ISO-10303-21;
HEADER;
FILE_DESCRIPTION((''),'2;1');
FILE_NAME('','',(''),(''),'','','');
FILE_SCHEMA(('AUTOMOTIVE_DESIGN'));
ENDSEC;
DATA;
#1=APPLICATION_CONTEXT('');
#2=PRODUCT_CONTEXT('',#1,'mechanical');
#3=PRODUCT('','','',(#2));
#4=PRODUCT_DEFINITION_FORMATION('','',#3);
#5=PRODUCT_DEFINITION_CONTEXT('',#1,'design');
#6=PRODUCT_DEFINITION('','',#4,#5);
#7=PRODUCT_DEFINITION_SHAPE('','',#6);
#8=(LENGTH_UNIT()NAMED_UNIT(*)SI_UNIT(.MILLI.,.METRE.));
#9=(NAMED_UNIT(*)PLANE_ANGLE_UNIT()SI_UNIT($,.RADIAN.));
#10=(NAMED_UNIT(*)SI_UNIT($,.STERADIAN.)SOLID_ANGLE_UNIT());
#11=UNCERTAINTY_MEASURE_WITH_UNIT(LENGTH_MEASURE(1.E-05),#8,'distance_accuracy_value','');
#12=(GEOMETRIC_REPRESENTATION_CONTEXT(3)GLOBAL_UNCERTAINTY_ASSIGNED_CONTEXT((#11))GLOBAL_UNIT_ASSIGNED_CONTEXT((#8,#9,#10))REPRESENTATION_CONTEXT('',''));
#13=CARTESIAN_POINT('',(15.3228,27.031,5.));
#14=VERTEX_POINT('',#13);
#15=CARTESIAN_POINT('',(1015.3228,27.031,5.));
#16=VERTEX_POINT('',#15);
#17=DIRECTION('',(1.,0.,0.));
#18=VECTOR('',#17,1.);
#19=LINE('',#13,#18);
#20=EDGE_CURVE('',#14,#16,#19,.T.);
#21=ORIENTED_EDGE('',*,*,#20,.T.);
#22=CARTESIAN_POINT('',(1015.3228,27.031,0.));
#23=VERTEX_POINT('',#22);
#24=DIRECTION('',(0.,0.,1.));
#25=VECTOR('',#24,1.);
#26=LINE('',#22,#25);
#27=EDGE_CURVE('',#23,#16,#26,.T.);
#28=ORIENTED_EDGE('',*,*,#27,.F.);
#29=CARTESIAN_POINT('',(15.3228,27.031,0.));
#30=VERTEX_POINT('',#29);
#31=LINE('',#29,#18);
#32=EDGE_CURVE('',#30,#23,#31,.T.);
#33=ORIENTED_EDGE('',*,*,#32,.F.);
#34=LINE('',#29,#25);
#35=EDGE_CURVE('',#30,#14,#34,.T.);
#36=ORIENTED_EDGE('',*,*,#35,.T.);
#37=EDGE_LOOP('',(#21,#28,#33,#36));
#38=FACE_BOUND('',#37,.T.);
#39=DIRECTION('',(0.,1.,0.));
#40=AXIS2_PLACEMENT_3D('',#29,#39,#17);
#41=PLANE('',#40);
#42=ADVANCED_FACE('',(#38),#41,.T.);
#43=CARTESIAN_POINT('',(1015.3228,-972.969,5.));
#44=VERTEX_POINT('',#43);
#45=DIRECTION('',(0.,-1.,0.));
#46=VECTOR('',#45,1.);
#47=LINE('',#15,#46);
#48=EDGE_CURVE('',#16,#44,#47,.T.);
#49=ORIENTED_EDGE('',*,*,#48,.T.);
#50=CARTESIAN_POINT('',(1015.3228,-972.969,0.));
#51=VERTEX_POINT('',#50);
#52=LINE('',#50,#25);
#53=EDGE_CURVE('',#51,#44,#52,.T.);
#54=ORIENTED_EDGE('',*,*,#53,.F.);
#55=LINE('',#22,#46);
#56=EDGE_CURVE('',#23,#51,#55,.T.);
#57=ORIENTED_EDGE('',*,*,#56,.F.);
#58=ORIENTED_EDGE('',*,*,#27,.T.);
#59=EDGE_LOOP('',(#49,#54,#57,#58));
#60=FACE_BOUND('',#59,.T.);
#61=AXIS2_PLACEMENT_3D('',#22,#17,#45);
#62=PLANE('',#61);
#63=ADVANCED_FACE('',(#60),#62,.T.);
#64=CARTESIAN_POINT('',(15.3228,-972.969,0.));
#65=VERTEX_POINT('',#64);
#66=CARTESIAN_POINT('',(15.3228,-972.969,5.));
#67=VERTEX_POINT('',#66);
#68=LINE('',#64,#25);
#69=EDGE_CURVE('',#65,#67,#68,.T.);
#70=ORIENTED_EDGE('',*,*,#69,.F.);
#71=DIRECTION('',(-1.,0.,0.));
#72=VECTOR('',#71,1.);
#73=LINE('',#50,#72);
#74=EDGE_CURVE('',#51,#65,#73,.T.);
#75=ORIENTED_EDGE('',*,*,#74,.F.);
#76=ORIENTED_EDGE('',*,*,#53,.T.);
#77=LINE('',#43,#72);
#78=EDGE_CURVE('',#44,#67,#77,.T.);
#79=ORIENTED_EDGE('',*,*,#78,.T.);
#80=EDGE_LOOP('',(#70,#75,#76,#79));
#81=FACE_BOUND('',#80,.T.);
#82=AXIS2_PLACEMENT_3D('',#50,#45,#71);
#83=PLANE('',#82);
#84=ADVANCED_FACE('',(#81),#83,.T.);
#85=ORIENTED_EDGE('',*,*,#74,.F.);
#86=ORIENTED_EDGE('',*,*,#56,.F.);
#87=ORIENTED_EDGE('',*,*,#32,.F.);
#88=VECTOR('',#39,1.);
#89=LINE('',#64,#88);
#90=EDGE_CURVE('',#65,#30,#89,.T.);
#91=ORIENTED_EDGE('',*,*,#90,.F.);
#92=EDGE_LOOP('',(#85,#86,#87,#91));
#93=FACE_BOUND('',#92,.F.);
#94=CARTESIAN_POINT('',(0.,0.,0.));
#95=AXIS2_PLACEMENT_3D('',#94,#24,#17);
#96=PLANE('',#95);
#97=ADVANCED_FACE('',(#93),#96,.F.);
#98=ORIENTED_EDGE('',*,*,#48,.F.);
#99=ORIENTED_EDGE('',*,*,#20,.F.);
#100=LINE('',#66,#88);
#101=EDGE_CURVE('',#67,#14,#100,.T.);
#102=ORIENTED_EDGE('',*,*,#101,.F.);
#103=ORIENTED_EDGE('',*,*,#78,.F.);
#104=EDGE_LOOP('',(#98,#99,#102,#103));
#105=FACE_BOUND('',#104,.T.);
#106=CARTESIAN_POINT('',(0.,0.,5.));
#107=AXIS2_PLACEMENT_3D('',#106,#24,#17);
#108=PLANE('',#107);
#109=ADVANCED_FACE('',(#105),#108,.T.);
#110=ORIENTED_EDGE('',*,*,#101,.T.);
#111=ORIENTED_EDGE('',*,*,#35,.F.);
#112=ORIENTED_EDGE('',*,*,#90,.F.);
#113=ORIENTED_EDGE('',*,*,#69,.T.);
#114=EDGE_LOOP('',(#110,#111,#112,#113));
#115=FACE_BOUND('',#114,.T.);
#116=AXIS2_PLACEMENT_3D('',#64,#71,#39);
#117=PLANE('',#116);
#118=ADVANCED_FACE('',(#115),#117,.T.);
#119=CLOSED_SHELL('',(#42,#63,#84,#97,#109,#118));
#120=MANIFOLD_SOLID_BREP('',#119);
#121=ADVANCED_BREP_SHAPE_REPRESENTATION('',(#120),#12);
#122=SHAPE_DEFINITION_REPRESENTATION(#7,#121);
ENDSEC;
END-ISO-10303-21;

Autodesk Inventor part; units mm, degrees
ref_plane "YZ Plane" through (0, 0, 0) normal (1, 0, 0) x (0, 1, 0)
ref_plane "XZ Plane" through (0, 0, 0) normal (0, 1, 0) x (-1, 0, 0)
ref_plane "XY Plane" through (0, 0, 0) normal (0, 0, 1) x (1, 0, 0)
sketch "Sketch1" plane through (0, 0, 0) normal (0, 0, 1) x (1, 0, 0)
  line L0 (15.3228, 27.031) -> (1015.3228, 27.031)
  line L1 (1015.3228, 27.031) -> (1015.3228, -972.969)
  line L2 (1015.3228, -972.969) -> (15.3228, -972.969)
  line L3 (15.3228, -972.969) -> (15.3228, 27.031)
  point P0 (0, 0)
  dimension "d0" = 1000
  dimension "d1" = 1000
extrude "Extrusion1" add sketch "Sketch1" along normal blind 5
properties part number "mainbase"
